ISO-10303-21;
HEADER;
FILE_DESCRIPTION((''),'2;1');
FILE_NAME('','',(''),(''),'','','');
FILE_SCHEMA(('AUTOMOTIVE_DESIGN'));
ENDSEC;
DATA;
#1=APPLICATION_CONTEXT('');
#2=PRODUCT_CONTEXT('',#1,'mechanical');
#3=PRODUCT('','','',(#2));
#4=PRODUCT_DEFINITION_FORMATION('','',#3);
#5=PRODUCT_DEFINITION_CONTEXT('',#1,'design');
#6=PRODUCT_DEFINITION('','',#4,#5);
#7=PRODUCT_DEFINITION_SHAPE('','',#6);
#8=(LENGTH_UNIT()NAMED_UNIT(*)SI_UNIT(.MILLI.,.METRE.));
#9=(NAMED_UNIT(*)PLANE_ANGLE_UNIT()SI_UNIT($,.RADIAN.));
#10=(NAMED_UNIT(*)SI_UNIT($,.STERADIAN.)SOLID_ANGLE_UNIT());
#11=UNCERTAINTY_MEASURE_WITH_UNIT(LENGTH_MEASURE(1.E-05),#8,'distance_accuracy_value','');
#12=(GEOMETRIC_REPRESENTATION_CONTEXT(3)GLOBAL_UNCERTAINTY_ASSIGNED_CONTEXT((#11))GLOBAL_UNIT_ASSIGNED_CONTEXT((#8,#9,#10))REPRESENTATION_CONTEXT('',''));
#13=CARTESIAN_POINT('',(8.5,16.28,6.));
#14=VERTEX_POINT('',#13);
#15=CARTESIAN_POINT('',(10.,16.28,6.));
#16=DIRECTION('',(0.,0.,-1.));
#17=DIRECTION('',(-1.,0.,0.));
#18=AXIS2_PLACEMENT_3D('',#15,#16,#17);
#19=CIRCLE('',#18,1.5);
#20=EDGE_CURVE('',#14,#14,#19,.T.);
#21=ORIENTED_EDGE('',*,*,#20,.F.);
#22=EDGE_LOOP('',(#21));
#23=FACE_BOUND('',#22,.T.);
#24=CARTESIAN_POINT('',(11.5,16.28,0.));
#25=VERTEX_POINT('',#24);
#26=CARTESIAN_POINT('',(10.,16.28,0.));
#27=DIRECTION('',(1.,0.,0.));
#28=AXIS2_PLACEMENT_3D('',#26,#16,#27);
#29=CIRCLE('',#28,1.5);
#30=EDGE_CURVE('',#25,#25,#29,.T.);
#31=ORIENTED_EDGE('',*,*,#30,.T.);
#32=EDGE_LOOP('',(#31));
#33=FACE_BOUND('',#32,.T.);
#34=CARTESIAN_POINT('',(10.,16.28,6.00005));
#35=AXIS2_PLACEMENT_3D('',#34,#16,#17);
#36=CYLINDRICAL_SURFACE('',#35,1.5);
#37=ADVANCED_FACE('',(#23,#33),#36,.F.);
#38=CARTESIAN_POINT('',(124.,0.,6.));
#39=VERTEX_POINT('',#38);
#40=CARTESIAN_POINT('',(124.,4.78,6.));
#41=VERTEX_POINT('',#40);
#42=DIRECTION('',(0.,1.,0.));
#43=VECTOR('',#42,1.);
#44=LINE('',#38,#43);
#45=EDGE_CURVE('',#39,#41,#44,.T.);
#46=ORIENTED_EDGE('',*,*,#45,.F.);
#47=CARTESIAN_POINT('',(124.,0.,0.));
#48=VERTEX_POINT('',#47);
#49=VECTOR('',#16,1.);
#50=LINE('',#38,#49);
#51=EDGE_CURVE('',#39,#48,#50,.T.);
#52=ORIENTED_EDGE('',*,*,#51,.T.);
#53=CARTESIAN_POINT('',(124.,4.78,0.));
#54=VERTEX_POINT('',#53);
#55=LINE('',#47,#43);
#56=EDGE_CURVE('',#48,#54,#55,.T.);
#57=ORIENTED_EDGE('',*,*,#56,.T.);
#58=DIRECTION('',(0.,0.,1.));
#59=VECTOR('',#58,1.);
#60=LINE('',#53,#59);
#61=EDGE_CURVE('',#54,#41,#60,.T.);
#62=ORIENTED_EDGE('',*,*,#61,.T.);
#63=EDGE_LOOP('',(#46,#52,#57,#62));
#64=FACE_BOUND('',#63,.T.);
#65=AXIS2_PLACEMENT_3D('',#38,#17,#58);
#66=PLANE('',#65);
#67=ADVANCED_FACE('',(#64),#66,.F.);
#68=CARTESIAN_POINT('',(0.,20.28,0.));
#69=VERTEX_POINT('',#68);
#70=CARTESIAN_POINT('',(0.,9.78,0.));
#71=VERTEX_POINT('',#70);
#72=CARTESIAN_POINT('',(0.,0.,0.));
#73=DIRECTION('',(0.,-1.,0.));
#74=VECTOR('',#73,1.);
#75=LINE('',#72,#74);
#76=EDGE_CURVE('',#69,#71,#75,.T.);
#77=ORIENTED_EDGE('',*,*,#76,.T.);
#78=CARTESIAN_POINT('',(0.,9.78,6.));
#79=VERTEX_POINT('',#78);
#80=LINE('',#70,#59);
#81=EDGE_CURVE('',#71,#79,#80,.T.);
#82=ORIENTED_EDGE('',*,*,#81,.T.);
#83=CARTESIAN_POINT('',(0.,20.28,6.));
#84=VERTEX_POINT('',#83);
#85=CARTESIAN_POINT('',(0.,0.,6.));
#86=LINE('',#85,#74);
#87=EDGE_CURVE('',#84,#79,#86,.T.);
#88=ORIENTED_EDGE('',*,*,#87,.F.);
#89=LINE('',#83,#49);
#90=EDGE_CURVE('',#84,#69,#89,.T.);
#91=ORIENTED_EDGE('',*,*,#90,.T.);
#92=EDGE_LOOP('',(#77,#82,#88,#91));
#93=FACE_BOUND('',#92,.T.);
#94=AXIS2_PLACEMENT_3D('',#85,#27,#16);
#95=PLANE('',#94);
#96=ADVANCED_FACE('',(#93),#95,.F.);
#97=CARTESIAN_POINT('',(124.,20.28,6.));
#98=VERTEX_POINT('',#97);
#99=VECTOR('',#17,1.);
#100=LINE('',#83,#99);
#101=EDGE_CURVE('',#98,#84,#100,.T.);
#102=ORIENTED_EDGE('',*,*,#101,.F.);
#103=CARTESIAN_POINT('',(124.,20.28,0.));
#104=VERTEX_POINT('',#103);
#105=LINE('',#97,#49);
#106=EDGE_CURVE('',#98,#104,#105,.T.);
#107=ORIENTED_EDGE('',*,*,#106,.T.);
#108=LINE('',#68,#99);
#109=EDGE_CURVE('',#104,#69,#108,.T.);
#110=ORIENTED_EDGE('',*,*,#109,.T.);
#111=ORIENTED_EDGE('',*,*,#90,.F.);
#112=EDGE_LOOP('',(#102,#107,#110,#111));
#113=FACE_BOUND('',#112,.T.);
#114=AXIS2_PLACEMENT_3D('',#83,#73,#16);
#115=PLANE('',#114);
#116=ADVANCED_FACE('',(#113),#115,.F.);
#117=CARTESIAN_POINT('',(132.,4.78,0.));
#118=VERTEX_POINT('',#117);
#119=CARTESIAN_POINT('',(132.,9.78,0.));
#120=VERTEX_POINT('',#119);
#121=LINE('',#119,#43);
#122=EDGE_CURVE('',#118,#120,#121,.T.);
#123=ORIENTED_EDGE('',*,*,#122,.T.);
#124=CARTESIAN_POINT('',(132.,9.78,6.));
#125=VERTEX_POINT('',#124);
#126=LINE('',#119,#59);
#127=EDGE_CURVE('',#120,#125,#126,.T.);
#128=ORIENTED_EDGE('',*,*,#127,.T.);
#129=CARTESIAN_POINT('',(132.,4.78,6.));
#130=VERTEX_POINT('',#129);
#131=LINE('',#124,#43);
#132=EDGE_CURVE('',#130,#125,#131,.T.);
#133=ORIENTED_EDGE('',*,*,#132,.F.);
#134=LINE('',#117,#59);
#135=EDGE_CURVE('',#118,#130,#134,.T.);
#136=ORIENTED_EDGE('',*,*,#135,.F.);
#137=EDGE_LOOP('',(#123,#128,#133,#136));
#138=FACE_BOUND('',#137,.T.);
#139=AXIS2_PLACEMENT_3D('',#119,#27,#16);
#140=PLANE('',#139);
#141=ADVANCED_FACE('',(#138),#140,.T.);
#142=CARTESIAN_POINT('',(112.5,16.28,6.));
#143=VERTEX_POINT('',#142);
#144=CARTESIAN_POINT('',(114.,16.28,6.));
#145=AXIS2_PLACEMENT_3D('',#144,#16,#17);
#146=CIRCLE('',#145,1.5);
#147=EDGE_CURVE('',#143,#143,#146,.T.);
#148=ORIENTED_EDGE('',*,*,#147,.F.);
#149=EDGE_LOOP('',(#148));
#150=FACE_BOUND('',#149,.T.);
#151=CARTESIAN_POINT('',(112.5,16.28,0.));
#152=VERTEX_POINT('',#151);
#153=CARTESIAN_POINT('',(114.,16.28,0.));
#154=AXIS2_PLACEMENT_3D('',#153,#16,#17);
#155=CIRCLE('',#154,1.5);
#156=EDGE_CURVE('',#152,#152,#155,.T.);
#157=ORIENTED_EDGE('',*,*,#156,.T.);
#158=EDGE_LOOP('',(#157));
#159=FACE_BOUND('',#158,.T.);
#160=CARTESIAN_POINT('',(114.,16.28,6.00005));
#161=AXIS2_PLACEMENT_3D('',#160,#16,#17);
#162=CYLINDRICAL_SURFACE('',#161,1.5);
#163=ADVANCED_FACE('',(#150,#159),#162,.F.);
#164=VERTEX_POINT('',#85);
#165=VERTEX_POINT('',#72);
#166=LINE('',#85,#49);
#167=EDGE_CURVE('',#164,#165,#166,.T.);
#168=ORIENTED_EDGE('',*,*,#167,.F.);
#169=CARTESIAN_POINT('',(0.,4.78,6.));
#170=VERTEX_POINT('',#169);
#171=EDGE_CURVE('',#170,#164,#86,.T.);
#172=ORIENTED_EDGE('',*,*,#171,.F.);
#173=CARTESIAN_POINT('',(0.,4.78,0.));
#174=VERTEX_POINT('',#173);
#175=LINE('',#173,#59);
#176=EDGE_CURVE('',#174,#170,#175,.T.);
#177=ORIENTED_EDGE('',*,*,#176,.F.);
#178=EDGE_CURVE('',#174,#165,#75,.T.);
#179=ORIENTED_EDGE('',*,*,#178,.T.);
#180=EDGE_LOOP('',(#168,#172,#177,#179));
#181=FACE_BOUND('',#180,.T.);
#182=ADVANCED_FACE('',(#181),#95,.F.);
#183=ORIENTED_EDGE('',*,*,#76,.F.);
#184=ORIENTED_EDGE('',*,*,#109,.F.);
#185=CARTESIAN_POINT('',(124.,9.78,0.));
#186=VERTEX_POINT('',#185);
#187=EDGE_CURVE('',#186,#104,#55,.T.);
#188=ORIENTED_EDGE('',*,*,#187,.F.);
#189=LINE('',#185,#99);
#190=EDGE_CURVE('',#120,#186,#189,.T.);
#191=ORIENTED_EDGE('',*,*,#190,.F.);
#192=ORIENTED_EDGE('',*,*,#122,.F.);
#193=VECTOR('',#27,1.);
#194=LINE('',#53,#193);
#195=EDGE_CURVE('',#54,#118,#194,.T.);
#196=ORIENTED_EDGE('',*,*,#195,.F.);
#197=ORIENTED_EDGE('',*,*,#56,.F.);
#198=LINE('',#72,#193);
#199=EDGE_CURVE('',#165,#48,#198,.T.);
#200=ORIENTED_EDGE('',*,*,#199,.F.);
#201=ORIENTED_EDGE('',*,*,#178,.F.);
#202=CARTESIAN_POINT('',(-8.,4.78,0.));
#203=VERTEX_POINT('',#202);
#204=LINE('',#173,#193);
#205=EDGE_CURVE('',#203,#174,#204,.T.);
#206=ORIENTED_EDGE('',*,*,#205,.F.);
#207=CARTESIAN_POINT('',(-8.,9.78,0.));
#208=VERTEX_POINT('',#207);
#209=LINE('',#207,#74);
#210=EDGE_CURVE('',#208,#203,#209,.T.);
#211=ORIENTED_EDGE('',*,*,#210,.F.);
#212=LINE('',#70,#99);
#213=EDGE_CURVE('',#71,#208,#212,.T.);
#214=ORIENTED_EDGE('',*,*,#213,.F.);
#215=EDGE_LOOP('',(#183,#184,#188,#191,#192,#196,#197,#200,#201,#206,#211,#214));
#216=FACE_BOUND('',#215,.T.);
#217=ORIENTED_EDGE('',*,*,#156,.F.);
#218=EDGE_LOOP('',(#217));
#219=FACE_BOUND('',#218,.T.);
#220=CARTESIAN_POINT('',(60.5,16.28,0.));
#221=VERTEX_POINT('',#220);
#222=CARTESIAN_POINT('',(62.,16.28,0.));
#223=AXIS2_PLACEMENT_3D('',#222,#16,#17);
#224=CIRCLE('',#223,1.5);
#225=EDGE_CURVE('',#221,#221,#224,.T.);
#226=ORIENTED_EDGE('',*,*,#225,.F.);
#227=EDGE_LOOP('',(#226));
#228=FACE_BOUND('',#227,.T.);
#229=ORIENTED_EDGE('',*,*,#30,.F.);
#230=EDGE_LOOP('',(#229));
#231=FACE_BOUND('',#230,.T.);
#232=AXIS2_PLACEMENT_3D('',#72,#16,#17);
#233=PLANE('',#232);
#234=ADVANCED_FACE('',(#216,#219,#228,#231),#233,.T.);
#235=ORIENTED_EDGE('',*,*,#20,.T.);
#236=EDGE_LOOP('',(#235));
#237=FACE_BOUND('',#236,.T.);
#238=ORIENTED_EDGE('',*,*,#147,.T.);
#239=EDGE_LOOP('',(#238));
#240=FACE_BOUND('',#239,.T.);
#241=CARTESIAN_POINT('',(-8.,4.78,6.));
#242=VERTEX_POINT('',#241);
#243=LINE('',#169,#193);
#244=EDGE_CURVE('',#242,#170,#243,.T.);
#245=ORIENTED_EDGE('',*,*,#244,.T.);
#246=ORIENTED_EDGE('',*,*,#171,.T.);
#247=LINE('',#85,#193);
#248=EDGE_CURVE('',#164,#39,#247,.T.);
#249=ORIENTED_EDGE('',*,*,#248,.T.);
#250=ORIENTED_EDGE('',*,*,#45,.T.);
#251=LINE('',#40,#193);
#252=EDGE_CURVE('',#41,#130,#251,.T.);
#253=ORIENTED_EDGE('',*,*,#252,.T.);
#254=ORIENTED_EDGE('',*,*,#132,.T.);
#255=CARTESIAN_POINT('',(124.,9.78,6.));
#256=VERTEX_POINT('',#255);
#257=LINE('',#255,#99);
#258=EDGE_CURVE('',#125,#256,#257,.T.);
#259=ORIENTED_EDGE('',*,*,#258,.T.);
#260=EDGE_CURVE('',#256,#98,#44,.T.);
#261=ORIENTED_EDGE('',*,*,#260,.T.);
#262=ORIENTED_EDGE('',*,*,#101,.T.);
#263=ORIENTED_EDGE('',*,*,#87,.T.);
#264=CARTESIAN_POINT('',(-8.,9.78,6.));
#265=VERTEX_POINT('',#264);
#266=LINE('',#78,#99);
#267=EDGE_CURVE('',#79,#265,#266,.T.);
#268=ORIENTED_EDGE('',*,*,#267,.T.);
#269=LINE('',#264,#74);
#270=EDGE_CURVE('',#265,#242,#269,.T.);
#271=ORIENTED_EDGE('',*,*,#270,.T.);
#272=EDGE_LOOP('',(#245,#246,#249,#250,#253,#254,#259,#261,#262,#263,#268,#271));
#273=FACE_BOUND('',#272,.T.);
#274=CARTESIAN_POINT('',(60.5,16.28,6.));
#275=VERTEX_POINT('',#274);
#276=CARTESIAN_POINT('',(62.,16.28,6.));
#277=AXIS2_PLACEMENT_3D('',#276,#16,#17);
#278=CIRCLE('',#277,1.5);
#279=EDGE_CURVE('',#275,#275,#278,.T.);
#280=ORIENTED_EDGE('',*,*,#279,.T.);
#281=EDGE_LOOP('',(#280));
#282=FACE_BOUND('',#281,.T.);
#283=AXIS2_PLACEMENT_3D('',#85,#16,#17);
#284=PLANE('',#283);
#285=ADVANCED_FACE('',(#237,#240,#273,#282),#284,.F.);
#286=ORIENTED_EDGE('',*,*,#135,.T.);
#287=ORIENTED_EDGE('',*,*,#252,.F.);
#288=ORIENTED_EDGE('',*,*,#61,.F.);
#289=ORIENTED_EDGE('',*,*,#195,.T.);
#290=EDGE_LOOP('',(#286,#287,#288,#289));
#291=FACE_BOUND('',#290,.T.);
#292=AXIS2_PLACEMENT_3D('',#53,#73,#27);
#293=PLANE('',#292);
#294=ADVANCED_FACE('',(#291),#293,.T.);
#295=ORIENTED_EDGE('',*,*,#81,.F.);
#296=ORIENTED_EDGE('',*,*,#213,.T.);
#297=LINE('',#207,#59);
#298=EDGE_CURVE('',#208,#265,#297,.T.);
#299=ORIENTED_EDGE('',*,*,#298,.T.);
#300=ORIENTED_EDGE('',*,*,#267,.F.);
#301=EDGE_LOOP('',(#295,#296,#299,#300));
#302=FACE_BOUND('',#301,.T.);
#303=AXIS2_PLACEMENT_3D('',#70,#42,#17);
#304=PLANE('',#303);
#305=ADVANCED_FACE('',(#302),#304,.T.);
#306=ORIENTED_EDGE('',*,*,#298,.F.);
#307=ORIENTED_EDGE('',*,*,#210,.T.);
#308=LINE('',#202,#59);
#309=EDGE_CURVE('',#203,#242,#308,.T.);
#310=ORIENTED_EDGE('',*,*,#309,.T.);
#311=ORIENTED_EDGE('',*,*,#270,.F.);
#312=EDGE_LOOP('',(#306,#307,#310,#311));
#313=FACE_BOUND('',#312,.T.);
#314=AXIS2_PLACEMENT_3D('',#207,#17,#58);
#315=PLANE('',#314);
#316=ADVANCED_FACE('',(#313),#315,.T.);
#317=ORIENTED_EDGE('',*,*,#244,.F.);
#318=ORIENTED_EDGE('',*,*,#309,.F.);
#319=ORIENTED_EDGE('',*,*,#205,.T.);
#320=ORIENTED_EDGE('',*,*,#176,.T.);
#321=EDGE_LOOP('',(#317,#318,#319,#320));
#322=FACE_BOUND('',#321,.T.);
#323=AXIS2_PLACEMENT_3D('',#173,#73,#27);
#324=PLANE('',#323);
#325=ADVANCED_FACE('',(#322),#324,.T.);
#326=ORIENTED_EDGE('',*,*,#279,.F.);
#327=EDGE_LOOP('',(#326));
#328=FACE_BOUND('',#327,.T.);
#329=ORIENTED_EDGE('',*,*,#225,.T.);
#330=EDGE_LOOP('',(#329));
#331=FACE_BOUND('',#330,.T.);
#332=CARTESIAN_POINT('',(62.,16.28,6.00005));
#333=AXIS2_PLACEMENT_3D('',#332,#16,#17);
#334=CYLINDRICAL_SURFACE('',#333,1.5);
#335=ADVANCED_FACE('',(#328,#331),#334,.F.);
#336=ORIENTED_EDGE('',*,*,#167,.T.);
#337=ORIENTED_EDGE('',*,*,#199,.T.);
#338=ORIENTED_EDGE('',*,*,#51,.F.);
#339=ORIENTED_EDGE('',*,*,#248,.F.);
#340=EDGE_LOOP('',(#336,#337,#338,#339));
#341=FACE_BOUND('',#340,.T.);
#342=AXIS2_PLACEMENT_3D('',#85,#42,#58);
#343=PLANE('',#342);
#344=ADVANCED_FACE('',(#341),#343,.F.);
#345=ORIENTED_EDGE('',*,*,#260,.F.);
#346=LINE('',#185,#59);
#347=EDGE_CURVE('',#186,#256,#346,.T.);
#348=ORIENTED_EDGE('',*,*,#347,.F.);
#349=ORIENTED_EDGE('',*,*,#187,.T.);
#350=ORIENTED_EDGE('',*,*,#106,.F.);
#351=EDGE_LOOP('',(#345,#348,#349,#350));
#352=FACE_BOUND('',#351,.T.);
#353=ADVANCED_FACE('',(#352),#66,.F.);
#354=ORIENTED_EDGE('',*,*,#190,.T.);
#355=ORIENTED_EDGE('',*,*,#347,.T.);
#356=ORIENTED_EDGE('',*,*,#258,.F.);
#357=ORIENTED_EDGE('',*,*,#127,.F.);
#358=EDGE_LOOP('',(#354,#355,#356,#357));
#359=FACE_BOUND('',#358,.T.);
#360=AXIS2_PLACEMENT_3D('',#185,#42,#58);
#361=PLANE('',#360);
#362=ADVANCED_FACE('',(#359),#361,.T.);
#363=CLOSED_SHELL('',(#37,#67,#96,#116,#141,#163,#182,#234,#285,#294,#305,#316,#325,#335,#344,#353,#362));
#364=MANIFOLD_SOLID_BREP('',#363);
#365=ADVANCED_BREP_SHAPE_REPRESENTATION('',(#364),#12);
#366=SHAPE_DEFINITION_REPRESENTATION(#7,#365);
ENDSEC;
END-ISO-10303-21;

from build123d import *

# Parameters (mm, degrees)
SKETCH_1_W          = 124
SKETCH_1_H          = 20.28
EXTRUDE_1_DEPTH     = 6
SKETCH_2_W          = 8
SKETCH_2_H          = 5
EXTRUDE_2_DEPTH     = 6
SKETCH_3_R          = 1.5
CUT_EXTRUDE_1_DEPTH = 134.683500852


with BuildPart() as part:
    # 草图1 → 凸台-拉伸1 (new body)
    with BuildSketch(Plane.XY):
        with Locations((62, 10.14)):
            Rectangle(SKETCH_1_W, SKETCH_1_H)
    extrude(amount=EXTRUDE_1_DEPTH)

    # 草图2 → 凸台-拉伸2 (add)
    with BuildSketch(Plane.XY.offset(6)):
        with Locations((-4, 7.28)):
            Rectangle(SKETCH_2_W, SKETCH_2_H)
        with Locations((128, 7.28)):
            Rectangle(SKETCH_2_W, SKETCH_2_H)
    extrude(amount=-EXTRUDE_2_DEPTH)

    # 草图3 → 切除-拉伸1 (cut, through all)
    with BuildSketch(Plane(origin=(0, 0, 0), x_dir=(-1, 0, 0), z_dir=(0, 0, -1))):
        with Locations((-62, 16.28)):
            Circle(SKETCH_3_R)
        with Locations((-114, 16.28)):
            Circle(SKETCH_3_R)
        with Locations((-10, 16.28)):
            Circle(SKETCH_3_R)
    extrude(amount=-CUT_EXTRUDE_1_DEPTH, mode=Mode.SUBTRACT)


solid = part.part
